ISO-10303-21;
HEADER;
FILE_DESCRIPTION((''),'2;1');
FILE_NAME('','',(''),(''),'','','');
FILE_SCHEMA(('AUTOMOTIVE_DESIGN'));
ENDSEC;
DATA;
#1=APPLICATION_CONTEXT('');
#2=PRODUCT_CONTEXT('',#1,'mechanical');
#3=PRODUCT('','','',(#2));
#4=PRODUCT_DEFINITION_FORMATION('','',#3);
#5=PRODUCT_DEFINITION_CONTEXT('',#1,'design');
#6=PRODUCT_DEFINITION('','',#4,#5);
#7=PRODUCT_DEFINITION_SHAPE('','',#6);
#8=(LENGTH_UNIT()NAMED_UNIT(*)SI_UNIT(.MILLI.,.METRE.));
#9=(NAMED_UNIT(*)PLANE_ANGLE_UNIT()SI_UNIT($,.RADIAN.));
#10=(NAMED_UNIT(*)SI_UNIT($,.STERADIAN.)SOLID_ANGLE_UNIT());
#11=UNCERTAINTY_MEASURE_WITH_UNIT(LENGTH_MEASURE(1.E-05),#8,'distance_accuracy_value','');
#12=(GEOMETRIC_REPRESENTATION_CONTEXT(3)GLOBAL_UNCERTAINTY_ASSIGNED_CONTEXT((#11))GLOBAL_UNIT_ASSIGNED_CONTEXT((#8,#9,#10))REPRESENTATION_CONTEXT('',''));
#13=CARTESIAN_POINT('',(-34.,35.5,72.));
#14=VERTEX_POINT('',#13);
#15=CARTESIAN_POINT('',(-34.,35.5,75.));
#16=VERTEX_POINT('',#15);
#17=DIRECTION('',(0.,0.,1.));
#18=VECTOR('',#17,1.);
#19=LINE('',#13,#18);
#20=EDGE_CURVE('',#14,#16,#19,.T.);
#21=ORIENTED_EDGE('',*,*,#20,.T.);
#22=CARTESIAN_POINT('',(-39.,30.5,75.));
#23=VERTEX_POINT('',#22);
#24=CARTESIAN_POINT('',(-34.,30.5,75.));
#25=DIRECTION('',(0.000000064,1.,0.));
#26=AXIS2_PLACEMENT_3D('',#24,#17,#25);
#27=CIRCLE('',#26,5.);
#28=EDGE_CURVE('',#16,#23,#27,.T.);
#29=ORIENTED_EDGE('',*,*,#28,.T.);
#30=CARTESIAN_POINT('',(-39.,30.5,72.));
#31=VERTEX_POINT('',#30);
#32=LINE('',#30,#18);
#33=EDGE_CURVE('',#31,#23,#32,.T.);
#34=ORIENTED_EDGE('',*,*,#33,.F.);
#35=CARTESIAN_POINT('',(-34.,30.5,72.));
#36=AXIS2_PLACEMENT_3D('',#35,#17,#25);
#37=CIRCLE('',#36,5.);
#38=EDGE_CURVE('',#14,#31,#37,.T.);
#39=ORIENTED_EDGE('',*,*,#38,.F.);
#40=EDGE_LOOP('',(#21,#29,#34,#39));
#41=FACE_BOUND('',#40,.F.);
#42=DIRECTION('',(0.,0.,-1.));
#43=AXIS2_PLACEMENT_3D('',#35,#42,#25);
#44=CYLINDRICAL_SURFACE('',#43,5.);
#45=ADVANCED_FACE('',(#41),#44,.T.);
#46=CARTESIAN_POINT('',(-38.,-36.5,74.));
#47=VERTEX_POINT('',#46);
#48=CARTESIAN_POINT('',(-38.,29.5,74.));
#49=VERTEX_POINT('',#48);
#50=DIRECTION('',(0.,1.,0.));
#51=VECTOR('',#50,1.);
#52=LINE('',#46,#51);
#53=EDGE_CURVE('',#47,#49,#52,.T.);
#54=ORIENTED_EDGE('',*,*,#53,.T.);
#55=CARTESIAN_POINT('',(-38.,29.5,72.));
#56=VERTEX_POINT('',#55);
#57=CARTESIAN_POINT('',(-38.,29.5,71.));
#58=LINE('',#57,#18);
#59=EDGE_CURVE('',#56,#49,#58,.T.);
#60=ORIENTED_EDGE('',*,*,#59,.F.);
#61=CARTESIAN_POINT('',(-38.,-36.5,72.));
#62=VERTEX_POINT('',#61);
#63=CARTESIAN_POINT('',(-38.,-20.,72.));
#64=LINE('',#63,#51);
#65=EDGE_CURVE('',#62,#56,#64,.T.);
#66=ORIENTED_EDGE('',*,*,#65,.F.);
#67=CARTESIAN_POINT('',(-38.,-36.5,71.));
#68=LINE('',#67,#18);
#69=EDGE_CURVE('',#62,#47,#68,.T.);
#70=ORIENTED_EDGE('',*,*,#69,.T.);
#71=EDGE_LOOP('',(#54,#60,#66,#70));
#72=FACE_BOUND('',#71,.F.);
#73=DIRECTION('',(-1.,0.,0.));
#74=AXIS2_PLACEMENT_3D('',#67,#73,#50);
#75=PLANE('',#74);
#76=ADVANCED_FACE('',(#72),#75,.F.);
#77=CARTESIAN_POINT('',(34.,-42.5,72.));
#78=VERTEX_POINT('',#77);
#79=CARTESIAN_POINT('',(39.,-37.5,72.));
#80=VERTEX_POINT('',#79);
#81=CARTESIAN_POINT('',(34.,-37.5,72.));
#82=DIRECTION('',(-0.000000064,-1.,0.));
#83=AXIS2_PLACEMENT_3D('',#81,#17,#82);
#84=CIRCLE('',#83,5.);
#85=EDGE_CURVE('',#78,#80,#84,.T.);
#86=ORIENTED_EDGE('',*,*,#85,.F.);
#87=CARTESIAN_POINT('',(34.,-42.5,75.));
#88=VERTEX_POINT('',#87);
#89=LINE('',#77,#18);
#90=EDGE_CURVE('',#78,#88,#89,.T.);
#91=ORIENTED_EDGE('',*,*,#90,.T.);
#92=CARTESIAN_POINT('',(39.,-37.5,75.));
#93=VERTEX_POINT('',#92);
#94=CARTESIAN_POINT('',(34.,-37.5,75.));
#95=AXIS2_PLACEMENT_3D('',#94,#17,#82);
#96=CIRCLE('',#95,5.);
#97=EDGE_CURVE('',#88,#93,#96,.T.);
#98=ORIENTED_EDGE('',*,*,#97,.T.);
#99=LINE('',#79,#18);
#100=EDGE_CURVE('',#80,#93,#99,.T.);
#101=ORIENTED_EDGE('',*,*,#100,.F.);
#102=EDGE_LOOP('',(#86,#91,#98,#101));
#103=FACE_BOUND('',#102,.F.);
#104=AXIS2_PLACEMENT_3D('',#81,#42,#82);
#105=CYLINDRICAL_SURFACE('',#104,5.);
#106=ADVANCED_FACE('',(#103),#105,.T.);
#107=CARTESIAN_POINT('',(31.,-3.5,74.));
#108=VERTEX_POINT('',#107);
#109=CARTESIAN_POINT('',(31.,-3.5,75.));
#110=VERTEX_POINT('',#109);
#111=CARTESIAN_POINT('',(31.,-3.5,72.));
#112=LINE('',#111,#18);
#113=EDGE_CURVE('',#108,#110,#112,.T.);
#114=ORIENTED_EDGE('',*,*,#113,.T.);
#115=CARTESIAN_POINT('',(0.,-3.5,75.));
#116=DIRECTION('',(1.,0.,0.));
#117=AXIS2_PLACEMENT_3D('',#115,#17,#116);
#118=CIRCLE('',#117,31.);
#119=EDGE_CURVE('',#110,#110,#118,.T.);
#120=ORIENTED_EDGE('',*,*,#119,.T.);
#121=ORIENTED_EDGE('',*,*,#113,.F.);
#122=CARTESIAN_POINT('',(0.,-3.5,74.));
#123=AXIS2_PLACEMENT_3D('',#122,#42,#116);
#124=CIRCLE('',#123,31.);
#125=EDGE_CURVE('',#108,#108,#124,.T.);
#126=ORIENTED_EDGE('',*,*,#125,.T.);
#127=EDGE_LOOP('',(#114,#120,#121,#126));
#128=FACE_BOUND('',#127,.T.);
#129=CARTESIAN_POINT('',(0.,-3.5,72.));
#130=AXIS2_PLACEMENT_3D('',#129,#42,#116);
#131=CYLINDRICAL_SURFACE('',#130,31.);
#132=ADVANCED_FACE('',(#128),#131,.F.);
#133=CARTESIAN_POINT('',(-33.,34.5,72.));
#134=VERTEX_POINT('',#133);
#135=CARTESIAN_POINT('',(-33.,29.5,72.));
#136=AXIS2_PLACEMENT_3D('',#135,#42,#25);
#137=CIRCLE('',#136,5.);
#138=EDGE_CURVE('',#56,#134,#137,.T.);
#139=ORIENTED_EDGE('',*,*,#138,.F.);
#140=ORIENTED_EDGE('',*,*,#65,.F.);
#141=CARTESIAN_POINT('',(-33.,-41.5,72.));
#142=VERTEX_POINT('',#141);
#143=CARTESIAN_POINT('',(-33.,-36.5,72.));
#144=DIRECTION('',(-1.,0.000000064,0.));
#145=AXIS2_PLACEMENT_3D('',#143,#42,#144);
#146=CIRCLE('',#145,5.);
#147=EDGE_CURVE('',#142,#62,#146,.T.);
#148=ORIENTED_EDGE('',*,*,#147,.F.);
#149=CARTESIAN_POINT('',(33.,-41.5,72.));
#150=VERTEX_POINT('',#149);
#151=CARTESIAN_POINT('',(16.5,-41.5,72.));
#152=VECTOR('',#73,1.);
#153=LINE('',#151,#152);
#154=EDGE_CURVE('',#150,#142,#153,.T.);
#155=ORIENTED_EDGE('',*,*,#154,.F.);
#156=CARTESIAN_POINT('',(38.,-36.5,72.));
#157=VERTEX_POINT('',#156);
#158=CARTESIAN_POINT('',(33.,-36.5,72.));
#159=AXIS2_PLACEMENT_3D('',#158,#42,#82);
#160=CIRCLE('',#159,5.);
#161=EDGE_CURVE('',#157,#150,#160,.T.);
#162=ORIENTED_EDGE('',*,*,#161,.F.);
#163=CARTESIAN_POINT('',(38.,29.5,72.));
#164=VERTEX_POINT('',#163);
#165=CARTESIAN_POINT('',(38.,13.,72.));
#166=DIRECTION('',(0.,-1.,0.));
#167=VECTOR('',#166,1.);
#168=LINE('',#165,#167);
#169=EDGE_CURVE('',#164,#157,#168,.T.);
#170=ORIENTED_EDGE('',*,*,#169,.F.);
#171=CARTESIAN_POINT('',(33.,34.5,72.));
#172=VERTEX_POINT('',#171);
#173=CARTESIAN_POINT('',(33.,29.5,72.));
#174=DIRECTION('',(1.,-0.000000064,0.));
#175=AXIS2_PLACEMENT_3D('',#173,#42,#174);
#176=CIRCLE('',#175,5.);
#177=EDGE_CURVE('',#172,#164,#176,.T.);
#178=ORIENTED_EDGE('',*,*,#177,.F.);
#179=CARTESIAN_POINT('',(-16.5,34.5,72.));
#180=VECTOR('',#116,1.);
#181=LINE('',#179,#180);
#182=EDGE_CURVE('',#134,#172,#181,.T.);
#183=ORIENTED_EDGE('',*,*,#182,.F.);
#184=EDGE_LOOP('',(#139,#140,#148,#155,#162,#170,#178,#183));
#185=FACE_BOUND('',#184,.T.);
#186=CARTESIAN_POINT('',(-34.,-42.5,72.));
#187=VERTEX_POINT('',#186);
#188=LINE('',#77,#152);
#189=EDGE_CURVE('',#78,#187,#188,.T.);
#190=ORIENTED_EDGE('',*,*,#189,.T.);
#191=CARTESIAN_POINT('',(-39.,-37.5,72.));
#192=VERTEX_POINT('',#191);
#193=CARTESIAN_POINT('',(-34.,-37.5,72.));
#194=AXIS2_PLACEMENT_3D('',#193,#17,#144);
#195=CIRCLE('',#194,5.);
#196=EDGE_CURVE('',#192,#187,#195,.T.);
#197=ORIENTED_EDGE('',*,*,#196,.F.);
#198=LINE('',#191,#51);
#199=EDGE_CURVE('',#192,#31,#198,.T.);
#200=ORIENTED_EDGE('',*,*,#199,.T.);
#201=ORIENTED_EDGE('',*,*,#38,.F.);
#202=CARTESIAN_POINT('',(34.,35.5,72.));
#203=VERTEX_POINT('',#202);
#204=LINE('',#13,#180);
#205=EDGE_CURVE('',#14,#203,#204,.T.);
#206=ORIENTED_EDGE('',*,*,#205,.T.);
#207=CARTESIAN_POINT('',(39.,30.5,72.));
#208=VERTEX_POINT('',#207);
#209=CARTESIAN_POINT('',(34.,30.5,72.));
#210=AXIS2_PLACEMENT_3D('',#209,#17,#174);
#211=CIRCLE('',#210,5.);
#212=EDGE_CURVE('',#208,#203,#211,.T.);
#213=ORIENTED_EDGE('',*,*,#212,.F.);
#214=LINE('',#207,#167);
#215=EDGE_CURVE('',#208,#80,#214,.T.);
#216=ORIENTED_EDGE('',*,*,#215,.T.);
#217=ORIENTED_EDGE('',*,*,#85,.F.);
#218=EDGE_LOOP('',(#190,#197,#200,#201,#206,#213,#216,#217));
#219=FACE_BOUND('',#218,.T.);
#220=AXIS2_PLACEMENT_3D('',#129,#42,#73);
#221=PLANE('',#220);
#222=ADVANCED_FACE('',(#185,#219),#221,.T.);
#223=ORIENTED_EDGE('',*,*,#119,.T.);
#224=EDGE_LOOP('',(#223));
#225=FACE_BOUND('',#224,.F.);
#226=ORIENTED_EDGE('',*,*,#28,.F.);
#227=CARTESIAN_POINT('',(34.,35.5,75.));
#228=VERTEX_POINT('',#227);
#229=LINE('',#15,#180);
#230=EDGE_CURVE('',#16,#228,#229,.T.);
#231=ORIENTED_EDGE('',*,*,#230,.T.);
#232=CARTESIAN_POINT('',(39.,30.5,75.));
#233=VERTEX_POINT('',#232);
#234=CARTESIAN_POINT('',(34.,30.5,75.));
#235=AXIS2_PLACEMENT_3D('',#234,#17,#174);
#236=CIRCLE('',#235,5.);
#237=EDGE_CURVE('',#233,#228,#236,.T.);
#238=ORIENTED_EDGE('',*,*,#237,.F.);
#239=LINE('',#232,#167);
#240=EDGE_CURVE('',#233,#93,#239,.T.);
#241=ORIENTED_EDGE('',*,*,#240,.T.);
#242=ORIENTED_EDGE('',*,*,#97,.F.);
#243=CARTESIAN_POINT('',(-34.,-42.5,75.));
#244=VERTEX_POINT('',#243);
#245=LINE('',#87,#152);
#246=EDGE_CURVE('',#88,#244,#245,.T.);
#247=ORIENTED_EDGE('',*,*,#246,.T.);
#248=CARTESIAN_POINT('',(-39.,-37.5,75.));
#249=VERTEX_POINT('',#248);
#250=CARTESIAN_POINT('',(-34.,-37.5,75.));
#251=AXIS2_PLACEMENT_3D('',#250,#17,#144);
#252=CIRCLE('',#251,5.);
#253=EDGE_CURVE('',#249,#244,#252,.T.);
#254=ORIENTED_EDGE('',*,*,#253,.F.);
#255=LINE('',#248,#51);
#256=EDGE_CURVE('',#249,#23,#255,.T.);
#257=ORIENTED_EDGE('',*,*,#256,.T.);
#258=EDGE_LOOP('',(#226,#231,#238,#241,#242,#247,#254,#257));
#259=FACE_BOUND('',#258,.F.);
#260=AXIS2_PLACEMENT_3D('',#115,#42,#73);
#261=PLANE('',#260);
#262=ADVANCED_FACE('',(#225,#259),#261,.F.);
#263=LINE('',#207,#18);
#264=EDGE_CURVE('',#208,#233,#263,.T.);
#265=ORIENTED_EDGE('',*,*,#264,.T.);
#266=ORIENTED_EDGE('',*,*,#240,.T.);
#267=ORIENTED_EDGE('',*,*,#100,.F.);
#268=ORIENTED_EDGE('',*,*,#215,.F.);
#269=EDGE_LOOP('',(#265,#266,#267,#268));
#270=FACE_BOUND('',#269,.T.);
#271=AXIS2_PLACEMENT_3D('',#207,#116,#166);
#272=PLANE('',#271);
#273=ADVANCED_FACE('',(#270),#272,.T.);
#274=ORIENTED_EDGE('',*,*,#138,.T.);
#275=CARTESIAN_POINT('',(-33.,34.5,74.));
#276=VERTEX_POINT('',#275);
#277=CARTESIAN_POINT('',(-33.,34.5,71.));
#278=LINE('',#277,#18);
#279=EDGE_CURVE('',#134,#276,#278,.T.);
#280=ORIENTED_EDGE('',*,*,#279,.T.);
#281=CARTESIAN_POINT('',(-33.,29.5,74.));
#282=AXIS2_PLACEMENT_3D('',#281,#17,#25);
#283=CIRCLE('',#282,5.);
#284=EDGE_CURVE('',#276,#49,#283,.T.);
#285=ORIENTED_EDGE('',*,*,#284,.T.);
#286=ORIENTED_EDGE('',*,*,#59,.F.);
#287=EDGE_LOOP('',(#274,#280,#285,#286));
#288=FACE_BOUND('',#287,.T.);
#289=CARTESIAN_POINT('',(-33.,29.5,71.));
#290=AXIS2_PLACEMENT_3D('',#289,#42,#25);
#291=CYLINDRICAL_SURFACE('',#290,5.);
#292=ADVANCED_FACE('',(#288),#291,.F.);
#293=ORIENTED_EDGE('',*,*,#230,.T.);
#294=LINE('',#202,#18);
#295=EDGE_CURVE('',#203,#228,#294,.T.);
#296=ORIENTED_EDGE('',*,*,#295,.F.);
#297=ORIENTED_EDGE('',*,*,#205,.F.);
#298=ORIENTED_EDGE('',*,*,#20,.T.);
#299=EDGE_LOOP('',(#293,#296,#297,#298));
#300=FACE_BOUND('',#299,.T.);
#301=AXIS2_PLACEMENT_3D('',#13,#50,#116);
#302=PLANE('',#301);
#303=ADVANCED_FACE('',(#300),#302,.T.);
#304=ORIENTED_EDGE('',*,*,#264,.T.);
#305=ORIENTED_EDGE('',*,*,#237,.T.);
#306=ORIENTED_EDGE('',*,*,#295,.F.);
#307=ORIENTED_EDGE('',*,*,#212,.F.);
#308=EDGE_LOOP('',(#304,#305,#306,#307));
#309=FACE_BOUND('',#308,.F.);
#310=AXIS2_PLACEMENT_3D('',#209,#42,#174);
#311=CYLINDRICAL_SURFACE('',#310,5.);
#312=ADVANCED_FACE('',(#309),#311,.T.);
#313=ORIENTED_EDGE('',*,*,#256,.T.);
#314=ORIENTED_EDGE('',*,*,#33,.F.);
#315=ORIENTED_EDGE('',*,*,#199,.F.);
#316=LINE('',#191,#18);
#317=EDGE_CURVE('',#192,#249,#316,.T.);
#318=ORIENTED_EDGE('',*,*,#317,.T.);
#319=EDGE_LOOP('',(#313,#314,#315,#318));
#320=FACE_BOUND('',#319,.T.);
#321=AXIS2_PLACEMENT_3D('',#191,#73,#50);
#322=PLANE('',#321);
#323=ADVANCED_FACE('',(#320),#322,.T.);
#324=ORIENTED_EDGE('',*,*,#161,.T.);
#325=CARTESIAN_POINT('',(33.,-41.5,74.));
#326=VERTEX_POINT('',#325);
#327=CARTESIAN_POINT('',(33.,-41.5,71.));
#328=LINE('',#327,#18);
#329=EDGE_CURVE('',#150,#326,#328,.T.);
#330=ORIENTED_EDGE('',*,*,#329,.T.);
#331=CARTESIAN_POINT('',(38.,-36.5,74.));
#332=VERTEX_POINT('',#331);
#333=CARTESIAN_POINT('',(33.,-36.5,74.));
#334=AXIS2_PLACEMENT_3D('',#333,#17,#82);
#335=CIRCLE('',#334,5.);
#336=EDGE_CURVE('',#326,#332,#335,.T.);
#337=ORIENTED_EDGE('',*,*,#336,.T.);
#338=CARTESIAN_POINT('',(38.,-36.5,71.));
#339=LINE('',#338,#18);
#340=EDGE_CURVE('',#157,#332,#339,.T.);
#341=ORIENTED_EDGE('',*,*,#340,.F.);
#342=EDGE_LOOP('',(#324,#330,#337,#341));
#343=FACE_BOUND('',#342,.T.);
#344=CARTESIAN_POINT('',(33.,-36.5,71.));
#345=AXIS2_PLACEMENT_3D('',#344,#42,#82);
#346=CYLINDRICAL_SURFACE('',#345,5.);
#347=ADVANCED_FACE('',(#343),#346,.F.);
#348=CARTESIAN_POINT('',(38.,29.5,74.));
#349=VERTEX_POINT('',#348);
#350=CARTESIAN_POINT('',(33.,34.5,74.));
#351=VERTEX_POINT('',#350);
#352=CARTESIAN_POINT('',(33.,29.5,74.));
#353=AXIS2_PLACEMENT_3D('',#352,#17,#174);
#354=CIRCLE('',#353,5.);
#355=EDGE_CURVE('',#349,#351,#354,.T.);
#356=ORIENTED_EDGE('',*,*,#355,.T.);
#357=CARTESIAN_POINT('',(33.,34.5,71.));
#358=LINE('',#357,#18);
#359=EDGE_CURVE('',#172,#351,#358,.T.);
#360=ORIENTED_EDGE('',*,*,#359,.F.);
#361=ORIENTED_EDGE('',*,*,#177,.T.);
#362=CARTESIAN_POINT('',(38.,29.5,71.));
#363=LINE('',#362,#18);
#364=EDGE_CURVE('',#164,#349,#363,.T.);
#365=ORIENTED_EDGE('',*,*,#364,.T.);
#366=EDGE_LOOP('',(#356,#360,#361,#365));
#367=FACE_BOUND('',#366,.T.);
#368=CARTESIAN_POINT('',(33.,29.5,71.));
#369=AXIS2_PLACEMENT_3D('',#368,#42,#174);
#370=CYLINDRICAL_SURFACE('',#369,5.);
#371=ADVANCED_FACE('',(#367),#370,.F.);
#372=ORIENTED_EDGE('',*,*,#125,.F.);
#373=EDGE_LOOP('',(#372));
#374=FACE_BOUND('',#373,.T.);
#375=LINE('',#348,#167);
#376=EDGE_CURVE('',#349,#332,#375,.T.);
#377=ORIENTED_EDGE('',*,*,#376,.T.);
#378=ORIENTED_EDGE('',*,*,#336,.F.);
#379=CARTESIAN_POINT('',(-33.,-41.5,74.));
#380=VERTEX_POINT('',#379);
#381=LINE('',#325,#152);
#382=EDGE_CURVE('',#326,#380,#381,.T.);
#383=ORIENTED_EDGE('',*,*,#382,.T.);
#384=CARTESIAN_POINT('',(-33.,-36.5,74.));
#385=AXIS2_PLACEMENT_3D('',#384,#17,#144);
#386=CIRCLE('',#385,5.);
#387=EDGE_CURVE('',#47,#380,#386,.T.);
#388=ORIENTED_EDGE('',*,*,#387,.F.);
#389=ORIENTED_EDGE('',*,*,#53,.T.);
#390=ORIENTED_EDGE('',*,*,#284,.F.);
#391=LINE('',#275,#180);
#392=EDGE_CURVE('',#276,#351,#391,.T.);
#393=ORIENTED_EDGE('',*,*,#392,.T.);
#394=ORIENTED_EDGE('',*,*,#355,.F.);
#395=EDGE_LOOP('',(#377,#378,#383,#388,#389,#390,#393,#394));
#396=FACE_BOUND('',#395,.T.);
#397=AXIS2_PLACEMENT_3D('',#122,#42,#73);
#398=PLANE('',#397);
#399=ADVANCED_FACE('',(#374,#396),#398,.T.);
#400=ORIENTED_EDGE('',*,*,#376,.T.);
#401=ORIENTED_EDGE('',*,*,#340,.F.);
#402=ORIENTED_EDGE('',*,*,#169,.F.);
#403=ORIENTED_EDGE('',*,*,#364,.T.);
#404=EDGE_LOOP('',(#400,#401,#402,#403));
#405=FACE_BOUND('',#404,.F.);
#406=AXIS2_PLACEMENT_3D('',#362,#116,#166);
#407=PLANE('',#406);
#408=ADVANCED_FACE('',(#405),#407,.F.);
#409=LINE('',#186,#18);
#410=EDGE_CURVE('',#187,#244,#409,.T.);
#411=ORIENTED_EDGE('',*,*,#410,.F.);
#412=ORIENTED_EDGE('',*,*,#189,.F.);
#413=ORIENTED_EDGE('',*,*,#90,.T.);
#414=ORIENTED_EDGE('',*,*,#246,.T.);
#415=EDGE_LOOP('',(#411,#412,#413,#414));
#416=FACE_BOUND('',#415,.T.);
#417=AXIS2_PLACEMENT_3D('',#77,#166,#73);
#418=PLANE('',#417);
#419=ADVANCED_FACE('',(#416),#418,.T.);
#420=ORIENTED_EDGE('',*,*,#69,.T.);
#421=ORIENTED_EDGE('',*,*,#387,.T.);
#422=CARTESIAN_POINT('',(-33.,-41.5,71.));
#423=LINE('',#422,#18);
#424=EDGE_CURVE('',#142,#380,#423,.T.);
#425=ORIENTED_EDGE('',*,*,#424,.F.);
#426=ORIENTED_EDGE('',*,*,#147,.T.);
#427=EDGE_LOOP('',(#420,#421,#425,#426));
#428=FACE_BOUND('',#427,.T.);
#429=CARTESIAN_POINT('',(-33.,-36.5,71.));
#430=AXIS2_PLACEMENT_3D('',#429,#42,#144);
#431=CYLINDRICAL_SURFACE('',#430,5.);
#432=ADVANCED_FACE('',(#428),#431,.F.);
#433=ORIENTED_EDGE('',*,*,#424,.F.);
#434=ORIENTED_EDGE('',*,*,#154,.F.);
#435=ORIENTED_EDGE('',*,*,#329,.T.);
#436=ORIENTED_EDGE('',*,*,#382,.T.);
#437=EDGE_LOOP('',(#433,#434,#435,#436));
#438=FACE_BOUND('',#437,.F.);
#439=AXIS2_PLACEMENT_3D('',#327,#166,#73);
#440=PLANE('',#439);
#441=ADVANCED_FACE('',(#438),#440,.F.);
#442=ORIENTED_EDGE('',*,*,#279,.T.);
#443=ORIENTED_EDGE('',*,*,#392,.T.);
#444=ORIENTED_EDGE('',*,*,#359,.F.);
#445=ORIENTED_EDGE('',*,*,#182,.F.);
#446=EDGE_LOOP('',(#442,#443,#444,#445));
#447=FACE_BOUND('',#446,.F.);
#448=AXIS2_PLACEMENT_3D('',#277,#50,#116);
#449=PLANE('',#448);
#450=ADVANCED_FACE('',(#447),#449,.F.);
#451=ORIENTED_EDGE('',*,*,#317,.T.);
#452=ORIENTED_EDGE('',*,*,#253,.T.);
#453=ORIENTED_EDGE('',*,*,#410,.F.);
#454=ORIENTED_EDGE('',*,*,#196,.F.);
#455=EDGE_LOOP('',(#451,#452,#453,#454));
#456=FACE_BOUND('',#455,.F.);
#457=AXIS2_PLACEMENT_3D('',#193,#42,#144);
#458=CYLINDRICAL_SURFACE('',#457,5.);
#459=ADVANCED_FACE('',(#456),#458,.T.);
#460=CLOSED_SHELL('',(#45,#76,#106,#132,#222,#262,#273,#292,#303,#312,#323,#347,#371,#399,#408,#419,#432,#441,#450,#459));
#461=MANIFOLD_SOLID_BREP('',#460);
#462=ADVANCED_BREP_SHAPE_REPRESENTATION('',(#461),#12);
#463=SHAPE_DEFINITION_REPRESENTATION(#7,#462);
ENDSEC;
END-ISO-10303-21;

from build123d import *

# Parameters (mm, degrees)
EXTRUDE047_DEPTH = 3
SKETCH018_R      = 31
EXTRUDE046_DEPTH = 3


with BuildPart() as extrude047:
    # Sketch019 → Extrude047 (new body)
    with BuildSketch(Plane.XY.offset(80)):
        with BuildLine():
            Line((-33, 38), (33, 38))
            ThreePointArc((38, 33), (36.535534, 36.535534), (33, 38))
            Line((38, 33), (38, -33))
            ThreePointArc((33, -38), (36.535534, -36.535534), (38, -33))
            Line((33, -38), (-33, -38))
            ThreePointArc((-38, -33), (-36.535534, -36.535534), (-33, -38))
            Line((-38, -33), (-38, 33))
            ThreePointArc((-33, 38), (-36.535534, 36.535534), (-38, 33))
        make_face()
    extrude(amount=EXTRUDE047_DEPTH)


with BuildPart() as extrude047_1:
    # Extrude047 placement: moved
    add(extrude047.part.moved(Location((0, -3.5, 30))))


with BuildPart() as grill:
    # Sketch018 → Extrude046 (new body)
    with BuildSketch(Plane.XY.offset(80)):
        with BuildLine():
            Line((-34, 39), (34, 39))
            ThreePointArc((39, 34), (37.535534, 37.535534), (34, 39))
            Line((39, 34), (39, -34))
            ThreePointArc((34, -39), (37.535534, -37.535534), (39, -34))
            Line((34, -39), (-34, -39))
            ThreePointArc((-39, -34), (-37.535534, -37.535534), (-34, -39))
            Line((-39, -34), (-39, 34))
            ThreePointArc((-34, 39), (-37.535534, 37.535534), (-39, 34))
        make_face()
        Circle(SKETCH018_R, mode=Mode.SUBTRACT)
    extrude(amount=EXTRUDE046_DEPTH)


with BuildPart() as grill_1:
    # Extrude046 placement: moved
    add(grill.part.moved(Location((0, -3.5, 31))))

    # Cut022: cut Extrude047
    add(extrude047_1.part, mode=Mode.SUBTRACT)


with BuildPart() as grill_2:
    # Cut022 placement: moved
    add(grill_1.part.moved(Location((0, 0, -39))))


solid = grill_2.part
